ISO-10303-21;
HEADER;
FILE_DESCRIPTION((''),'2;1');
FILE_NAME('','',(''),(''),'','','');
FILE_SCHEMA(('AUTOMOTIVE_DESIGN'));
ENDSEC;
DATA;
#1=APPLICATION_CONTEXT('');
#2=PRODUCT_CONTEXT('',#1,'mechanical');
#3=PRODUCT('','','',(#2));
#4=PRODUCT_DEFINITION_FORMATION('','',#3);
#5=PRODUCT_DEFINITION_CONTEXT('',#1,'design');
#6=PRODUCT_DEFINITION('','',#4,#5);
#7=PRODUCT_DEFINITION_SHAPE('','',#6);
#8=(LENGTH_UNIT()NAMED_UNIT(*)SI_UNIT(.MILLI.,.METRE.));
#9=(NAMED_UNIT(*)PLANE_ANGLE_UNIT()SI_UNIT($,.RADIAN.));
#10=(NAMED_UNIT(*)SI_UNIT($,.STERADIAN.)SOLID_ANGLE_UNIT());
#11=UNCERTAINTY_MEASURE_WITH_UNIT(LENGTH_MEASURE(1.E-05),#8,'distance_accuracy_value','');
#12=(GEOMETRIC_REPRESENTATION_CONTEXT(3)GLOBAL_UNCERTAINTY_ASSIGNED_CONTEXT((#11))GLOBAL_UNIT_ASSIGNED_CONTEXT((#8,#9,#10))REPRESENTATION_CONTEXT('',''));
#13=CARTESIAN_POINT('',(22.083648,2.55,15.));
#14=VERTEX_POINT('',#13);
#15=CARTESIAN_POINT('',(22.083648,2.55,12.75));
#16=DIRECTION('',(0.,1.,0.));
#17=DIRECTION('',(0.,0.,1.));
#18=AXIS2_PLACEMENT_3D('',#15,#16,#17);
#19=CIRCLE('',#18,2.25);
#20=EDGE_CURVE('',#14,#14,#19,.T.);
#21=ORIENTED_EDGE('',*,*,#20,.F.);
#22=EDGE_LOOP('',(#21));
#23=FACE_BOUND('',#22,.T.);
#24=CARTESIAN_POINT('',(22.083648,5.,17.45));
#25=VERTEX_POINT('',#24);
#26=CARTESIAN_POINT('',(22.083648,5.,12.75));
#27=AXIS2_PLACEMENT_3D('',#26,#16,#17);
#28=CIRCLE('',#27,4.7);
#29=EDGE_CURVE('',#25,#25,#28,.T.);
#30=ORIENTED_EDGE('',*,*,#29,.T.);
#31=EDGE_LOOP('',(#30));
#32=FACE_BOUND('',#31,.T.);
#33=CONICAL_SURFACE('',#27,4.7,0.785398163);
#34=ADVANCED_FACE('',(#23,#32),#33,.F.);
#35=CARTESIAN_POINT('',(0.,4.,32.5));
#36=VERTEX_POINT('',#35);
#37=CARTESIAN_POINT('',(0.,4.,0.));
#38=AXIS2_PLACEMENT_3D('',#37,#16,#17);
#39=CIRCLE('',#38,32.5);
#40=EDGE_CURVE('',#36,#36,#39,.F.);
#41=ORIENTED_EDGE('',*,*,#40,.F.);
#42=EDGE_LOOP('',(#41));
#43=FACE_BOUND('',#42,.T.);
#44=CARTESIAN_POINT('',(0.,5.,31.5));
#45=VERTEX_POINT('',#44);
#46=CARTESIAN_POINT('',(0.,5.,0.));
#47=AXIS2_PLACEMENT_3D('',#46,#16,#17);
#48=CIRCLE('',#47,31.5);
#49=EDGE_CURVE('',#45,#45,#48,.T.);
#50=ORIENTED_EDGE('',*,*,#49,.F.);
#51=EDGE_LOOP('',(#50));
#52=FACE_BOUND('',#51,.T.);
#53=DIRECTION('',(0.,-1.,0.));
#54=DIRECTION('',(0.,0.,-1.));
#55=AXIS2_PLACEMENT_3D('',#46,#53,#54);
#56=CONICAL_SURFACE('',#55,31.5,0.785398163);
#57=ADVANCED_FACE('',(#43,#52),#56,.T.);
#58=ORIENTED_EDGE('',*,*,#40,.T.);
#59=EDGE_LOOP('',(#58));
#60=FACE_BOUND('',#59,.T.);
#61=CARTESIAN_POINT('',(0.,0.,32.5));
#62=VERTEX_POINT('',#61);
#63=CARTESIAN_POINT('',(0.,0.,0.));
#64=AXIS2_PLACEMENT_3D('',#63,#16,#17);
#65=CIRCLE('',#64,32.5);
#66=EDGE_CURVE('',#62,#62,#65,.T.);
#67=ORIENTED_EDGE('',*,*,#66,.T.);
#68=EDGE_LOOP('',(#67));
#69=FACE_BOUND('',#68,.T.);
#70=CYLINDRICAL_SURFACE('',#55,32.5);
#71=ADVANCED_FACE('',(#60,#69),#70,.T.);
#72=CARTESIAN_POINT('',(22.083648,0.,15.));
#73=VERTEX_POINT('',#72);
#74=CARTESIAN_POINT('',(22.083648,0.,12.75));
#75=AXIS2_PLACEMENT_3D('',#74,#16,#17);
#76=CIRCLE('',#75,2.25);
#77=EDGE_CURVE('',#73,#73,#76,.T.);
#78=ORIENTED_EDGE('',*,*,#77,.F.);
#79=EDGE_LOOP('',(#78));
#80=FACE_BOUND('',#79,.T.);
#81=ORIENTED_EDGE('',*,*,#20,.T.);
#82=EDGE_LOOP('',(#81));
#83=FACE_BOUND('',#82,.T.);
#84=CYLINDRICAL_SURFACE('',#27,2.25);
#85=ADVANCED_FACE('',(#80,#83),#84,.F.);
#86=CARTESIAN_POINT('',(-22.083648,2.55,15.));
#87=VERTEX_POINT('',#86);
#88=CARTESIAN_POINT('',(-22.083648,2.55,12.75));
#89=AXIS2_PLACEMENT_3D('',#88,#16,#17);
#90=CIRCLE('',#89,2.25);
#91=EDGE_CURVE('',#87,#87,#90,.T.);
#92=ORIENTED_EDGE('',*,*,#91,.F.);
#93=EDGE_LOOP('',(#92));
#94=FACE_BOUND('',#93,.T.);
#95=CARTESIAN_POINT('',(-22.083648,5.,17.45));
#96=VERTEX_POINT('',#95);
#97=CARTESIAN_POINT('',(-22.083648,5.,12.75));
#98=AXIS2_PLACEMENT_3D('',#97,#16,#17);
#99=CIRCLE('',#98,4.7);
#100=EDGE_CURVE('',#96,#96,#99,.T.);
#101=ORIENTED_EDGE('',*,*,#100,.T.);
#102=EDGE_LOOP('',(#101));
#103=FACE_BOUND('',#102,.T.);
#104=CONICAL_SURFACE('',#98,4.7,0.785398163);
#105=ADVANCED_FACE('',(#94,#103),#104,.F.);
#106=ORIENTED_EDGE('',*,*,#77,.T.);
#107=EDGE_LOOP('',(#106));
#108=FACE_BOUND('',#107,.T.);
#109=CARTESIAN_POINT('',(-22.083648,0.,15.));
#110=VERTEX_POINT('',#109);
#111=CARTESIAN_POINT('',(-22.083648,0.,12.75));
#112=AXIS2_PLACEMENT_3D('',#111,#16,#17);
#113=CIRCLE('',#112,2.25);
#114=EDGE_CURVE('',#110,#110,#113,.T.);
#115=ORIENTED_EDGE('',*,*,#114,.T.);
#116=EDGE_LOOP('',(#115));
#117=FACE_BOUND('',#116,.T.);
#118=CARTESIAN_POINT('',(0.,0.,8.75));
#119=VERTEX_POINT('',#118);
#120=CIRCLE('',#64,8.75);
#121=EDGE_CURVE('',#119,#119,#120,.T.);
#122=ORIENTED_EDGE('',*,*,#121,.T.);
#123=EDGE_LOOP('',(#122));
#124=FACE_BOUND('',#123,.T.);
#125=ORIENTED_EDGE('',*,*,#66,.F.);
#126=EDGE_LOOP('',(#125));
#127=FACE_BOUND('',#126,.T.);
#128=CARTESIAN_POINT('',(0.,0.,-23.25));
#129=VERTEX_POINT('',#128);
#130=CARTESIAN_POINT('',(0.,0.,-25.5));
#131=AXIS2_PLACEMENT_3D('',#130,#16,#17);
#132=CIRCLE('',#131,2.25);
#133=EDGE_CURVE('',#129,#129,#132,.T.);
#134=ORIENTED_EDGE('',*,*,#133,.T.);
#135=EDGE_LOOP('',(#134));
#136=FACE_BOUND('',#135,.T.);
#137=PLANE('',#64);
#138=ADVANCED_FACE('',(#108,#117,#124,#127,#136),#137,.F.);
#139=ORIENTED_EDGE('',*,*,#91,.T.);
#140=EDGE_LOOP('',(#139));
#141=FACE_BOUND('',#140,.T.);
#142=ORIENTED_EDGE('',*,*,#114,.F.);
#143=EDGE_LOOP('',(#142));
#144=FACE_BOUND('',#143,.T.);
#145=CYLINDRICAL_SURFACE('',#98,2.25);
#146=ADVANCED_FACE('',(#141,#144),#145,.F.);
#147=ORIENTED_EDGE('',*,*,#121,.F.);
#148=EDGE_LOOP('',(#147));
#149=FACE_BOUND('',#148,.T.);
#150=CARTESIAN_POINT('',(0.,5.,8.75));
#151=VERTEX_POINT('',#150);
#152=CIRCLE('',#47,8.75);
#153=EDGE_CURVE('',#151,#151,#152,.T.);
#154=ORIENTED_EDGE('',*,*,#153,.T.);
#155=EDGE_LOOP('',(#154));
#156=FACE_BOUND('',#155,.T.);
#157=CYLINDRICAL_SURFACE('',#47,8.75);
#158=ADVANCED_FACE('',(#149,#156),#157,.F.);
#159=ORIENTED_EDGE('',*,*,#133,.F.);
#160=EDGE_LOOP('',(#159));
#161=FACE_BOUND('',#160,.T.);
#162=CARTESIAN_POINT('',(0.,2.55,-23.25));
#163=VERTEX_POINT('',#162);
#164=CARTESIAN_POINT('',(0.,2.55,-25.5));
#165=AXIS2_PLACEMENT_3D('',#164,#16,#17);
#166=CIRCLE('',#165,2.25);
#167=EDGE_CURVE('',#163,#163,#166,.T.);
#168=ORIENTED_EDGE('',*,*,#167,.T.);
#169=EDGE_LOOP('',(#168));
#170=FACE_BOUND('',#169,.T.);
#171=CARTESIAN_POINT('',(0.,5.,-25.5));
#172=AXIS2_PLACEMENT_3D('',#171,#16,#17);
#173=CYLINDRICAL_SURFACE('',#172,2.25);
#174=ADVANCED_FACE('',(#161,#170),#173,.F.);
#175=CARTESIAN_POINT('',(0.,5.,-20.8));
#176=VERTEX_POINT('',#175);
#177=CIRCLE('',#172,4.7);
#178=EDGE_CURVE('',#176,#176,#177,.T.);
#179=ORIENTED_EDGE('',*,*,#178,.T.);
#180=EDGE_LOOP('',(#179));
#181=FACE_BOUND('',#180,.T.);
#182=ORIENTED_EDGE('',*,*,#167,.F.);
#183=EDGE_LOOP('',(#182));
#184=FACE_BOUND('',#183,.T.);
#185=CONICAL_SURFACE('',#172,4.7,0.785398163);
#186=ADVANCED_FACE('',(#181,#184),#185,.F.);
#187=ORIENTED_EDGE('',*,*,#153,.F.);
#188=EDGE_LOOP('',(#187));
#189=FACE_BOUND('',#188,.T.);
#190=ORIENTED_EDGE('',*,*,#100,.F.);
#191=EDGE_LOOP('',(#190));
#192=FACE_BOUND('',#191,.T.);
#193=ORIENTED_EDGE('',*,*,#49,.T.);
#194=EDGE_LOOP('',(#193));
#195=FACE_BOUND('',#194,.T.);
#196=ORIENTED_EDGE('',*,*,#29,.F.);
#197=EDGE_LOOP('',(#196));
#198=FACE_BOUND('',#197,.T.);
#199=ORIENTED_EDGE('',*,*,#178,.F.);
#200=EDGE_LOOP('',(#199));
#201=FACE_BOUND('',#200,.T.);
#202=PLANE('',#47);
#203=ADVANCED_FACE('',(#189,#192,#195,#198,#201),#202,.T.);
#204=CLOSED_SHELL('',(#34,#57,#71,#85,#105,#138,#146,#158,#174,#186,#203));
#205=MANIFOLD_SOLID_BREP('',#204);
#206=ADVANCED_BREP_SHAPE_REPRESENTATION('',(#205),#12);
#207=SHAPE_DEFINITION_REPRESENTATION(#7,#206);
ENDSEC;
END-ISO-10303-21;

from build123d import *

# Parameters (mm, degrees)
SKETCH1_R                                     = 32.5
BOSS_EXTRUDE1_DEPTH                           = 5
CHAMFER1_SIZE                                 = 1
CSK_FOR_M4_COUNTERSUNK_FLAT_HEAD1_D           = 4.5
CSK_FOR_M4_COUNTERSUNK_FLAT_HEAD1_CSINK_D     = 9.4
CSK_FOR_M4_COUNTERSUNK_FLAT_HEAD1_CSINK_ANGLE = 90
M20X2_5_TAPPED_HOLE1_D                        = 17.5
M20X2_5_TAPPED_HOLE1_ON_FACE_2_D              = 17.5
CIRPATTERN1_COUNT                             = 3


with BuildPart() as part:
    # Sketch1 → Boss-Extrude1 (new body)
    with BuildSketch(Plane(origin=(0, 0, 0), x_dir=(1, 0, 0), z_dir=(0, 1, 0))):
        with Locations(Location((0, 0, 0), (0, 0, 270))):
            Circle(SKETCH1_R)
    extrude(amount=BOSS_EXTRUDE1_DEPTH)

    # Chamfer1
    chamfer1_edges = [part.edges().sort_by_distance(p)[0] for p in [
        (0, 5, -32.5),
    ]]
    chamfer(chamfer1_edges, length=CHAMFER1_SIZE)

    # CSK for M4 Countersunk Flat Head1 (through all)
    with Locations(Plane(origin=(0, 5, -25.5), x_dir=(0, 0, 1), z_dir=(0, 1, 0))):
        with Locations((0, 0)):
            csk_for_m4_countersunk_flat_head1 = CounterSinkHole(CSK_FOR_M4_COUNTERSUNK_FLAT_HEAD1_D / 2, CSK_FOR_M4_COUNTERSUNK_FLAT_HEAD1_CSINK_D / 2, counter_sink_angle=CSK_FOR_M4_COUNTERSUNK_FLAT_HEAD1_CSINK_ANGLE)

    # M20x2.5 Tapped Hole1 (through all)
    with Locations(Plane(origin=(0, 0, 0), x_dir=(0, 0, -1), z_dir=(0, -1, 0))):
        with Locations((0, 0)):
            Hole(M20X2_5_TAPPED_HOLE1_D / 2)

    # M20x2.5 Tapped Hole1 on face 2 (through all)
    with Locations(Plane.ZX.offset(5)):
        with Locations((0, 0)):
            Hole(M20X2_5_TAPPED_HOLE1_ON_FACE_2_D / 2)

    # CirPattern1: CSK for M4 Countersunk Flat Head1 ×3 about axis
    cirpattern1_axis = Axis((0, 0, 0), (0, 1, 0))
    for i in range(1, CIRPATTERN1_COUNT):
        add(csk_for_m4_countersunk_flat_head1.rotate(cirpattern1_axis, i * 360 / CIRPATTERN1_COUNT), mode=Mode.SUBTRACT)


solid = part.part
